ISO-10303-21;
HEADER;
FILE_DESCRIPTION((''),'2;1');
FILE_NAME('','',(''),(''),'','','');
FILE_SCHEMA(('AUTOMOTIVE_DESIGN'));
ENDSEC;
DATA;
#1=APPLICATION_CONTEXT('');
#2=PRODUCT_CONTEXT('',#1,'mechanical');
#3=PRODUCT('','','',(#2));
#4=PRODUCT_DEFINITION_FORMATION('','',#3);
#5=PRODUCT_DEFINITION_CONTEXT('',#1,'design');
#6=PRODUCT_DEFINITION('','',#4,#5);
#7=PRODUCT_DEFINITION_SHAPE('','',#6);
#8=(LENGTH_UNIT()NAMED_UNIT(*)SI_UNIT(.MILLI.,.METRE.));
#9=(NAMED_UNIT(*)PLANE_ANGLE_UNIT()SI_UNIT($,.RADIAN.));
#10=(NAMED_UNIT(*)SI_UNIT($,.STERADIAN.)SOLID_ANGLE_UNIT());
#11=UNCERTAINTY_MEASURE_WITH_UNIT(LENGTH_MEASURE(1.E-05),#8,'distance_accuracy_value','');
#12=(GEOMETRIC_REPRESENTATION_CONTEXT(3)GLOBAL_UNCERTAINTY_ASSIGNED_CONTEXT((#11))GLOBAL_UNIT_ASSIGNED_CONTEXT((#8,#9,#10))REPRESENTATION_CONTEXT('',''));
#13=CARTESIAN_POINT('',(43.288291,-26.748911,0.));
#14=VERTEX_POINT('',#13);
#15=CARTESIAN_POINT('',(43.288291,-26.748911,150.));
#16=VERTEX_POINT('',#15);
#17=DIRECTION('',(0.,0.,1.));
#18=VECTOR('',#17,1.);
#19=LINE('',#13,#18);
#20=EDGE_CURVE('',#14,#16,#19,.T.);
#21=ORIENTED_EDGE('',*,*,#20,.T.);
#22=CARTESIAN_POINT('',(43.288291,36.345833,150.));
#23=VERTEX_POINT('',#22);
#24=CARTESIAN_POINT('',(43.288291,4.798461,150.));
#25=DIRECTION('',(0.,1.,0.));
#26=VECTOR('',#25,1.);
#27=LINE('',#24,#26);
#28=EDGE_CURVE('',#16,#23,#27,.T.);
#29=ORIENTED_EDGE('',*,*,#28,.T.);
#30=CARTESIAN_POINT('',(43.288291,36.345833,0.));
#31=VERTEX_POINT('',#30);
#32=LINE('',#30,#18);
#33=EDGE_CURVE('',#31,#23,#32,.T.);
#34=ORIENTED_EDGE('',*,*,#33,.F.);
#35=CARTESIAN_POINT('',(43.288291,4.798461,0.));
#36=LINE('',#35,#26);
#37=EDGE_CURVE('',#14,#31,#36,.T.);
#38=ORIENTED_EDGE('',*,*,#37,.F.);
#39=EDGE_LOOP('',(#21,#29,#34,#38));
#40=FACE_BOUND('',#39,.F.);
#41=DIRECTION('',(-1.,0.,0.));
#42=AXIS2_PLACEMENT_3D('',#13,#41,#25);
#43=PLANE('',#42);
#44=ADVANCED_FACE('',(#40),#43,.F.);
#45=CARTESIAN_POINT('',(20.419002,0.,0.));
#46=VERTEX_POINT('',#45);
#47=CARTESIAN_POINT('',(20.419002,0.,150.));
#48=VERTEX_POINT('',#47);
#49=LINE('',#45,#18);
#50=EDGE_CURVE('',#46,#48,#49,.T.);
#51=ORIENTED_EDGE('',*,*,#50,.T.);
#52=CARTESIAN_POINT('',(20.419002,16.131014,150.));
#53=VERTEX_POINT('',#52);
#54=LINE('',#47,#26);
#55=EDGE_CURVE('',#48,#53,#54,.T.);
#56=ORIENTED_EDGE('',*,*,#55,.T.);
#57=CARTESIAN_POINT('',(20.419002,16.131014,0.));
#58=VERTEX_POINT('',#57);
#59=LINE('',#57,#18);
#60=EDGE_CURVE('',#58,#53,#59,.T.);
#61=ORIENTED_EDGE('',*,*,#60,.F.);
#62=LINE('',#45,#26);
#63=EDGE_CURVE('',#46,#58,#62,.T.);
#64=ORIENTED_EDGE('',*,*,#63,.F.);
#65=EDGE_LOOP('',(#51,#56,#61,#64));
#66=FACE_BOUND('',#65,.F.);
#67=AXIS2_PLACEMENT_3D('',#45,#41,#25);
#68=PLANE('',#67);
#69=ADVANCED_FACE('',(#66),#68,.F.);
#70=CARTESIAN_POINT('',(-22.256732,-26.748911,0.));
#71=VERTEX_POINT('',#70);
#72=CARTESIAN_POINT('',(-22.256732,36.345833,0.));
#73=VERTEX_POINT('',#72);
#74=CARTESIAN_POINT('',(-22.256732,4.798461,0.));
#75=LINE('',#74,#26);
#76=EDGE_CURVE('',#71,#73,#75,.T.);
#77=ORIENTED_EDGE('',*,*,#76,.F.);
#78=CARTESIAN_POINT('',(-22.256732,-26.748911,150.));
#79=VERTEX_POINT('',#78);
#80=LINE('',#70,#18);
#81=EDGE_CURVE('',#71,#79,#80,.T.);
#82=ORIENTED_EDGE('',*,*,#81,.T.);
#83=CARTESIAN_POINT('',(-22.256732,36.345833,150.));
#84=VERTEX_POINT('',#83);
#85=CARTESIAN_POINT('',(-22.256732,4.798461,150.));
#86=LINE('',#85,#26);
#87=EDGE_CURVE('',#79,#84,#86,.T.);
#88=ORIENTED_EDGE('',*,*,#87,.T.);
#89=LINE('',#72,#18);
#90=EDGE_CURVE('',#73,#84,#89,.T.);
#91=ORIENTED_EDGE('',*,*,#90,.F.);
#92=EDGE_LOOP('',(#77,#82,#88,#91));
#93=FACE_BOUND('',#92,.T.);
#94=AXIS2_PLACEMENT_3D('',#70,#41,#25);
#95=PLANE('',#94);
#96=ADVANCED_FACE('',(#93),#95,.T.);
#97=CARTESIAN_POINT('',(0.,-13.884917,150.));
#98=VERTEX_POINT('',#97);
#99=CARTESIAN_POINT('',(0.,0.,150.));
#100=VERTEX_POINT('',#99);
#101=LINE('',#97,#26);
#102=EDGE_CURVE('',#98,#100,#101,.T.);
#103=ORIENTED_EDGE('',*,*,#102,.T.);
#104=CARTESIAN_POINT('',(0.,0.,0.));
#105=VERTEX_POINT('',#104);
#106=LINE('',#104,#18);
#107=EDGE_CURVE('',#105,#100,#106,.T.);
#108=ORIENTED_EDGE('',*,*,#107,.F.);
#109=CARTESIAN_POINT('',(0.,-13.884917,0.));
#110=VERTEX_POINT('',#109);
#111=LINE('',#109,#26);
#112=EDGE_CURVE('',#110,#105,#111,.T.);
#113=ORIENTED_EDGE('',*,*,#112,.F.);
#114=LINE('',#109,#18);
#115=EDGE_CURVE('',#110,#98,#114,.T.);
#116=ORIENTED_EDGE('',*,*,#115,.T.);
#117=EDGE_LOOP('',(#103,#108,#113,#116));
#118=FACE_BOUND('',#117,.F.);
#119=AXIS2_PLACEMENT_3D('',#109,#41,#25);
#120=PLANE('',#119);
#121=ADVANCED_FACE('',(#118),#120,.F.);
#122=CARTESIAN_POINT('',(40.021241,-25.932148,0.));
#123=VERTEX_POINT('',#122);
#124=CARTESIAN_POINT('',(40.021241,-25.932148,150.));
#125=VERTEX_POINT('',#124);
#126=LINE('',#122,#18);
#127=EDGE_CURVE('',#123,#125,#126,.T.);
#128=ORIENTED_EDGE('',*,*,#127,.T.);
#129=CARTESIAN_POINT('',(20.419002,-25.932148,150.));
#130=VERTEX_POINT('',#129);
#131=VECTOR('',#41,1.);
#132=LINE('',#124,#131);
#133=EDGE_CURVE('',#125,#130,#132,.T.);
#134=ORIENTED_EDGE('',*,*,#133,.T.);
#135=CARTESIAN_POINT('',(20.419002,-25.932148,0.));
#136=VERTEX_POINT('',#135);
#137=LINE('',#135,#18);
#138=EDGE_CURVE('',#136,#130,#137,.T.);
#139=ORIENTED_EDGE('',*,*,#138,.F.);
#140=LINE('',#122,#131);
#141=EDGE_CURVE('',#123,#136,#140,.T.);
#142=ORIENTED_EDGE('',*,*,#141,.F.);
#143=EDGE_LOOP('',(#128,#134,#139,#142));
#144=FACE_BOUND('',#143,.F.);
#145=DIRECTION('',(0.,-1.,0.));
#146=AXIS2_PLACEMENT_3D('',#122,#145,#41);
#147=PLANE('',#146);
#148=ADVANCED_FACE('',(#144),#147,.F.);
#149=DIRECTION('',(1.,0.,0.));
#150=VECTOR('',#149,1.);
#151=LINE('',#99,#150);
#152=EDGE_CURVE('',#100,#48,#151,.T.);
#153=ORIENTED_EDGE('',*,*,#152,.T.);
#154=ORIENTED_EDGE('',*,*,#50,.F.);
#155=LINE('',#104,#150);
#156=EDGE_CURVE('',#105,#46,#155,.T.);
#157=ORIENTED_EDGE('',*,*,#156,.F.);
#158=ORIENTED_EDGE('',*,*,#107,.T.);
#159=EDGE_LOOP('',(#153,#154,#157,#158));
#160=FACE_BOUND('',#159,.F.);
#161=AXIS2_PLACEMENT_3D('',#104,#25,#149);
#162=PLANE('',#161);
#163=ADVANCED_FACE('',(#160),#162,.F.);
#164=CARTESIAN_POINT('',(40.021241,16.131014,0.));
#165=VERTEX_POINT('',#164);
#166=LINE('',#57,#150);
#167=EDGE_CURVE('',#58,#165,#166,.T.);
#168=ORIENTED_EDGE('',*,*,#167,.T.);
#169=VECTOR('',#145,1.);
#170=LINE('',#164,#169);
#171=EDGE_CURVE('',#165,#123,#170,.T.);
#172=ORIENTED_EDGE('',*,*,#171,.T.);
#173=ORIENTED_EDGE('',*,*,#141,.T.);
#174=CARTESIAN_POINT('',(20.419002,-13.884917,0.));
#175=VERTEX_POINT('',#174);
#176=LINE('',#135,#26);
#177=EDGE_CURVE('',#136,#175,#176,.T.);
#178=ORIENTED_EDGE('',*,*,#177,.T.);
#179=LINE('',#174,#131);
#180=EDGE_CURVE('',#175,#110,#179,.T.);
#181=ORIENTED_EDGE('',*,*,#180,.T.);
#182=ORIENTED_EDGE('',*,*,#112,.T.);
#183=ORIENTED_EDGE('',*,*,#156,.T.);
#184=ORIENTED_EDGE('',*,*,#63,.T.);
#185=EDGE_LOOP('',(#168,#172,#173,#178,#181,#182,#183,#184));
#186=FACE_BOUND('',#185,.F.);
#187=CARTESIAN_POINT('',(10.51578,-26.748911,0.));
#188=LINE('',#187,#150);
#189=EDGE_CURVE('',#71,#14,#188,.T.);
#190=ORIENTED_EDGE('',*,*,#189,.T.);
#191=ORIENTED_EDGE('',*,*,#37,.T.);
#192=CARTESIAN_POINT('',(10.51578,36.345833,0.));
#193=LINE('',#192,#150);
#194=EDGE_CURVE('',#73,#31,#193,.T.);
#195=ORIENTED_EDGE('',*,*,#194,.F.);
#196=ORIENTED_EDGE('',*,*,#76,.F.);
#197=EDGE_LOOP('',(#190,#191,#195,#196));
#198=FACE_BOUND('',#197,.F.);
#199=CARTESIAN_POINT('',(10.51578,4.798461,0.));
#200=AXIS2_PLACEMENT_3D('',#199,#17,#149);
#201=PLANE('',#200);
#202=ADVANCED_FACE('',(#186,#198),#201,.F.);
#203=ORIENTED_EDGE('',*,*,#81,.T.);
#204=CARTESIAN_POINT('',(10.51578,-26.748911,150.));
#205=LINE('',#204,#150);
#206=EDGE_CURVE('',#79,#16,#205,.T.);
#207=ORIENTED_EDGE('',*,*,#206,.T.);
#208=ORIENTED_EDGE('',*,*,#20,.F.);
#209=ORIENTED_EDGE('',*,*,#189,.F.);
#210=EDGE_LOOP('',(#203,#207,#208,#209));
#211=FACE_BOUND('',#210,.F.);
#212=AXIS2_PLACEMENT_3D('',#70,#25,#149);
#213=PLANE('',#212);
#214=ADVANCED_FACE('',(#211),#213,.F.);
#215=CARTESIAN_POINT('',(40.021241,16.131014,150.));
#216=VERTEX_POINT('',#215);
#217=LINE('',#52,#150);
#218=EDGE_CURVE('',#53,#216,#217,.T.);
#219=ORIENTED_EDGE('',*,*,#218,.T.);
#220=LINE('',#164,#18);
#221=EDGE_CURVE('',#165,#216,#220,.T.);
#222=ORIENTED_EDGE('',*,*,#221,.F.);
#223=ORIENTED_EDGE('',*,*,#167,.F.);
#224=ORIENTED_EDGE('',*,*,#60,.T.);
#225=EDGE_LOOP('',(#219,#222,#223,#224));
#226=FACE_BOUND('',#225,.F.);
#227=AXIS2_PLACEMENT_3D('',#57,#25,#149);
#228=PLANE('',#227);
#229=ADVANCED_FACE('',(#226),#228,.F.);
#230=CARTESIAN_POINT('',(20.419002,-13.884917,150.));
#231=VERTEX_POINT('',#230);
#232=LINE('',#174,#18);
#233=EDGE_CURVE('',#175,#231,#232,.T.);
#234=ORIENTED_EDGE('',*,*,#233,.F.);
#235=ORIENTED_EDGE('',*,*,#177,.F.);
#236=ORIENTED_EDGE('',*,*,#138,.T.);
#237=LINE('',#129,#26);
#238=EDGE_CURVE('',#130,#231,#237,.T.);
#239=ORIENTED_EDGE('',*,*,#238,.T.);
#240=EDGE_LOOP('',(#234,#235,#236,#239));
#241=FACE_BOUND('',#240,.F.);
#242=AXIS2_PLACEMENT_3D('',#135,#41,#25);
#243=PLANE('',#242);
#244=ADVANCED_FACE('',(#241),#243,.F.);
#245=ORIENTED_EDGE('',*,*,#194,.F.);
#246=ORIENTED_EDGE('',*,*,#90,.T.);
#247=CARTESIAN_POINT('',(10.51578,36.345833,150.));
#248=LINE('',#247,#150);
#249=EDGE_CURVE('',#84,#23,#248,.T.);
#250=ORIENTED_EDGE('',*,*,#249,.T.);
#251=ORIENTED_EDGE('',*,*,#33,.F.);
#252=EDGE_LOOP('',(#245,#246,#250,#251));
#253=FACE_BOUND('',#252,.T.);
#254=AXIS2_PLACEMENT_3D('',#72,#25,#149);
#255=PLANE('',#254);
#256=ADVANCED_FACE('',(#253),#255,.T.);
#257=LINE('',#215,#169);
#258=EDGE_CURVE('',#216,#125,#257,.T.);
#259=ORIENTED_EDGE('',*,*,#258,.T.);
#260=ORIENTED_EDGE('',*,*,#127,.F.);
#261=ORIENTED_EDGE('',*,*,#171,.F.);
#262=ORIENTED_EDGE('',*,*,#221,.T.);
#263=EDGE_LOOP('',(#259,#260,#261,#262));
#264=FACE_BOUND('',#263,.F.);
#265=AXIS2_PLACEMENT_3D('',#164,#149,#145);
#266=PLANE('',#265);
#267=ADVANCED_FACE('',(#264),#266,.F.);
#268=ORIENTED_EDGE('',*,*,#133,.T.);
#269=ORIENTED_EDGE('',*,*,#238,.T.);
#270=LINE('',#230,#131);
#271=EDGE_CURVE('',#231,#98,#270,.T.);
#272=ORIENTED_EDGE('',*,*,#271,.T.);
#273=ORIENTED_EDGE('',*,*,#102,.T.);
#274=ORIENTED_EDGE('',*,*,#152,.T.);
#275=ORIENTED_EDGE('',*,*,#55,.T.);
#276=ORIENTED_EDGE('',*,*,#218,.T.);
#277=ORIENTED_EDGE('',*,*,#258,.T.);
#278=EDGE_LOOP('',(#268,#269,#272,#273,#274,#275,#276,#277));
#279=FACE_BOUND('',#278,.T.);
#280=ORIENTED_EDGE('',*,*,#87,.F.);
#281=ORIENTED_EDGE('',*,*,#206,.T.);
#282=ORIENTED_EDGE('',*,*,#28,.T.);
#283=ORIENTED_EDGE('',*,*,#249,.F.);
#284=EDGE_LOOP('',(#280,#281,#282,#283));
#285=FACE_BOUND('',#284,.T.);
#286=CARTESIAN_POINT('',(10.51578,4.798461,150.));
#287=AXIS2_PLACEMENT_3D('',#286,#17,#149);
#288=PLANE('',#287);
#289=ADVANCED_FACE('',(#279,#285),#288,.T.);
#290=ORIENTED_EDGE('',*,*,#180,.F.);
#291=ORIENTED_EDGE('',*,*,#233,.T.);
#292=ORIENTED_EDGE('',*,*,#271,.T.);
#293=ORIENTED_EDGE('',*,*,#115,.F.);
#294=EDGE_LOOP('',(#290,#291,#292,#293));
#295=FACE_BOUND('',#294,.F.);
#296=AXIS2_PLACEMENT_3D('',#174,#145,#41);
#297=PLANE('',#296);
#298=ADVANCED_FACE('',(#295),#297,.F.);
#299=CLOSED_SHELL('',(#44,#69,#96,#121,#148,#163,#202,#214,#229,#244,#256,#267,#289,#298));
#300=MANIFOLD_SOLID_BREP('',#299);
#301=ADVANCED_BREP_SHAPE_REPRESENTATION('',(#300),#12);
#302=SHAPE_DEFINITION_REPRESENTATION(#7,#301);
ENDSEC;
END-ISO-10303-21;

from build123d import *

# Parameters (mm, degrees)
F0_W     = 65.545023
F0_H     = 63.094743
F1_DEPTH = 150


with BuildPart() as f1:
    # F0 (on Top) → F1 (new body)
    with BuildSketch(Plane.XY):
        with Locations((10.51578, 4.798461)):
            Rectangle(F0_W, F0_H)
        Polygon((20.419002, -25.932148), (20.419002, -13.884917), (0, -13.884917), (0, 0), (20.419002, 0), (20.419002, 16.131014), (40.021241, 16.131014), (40.021241, -25.932148), align=None, mode=Mode.SUBTRACT)
    extrude(amount=F1_DEPTH)


solid = f1.part
